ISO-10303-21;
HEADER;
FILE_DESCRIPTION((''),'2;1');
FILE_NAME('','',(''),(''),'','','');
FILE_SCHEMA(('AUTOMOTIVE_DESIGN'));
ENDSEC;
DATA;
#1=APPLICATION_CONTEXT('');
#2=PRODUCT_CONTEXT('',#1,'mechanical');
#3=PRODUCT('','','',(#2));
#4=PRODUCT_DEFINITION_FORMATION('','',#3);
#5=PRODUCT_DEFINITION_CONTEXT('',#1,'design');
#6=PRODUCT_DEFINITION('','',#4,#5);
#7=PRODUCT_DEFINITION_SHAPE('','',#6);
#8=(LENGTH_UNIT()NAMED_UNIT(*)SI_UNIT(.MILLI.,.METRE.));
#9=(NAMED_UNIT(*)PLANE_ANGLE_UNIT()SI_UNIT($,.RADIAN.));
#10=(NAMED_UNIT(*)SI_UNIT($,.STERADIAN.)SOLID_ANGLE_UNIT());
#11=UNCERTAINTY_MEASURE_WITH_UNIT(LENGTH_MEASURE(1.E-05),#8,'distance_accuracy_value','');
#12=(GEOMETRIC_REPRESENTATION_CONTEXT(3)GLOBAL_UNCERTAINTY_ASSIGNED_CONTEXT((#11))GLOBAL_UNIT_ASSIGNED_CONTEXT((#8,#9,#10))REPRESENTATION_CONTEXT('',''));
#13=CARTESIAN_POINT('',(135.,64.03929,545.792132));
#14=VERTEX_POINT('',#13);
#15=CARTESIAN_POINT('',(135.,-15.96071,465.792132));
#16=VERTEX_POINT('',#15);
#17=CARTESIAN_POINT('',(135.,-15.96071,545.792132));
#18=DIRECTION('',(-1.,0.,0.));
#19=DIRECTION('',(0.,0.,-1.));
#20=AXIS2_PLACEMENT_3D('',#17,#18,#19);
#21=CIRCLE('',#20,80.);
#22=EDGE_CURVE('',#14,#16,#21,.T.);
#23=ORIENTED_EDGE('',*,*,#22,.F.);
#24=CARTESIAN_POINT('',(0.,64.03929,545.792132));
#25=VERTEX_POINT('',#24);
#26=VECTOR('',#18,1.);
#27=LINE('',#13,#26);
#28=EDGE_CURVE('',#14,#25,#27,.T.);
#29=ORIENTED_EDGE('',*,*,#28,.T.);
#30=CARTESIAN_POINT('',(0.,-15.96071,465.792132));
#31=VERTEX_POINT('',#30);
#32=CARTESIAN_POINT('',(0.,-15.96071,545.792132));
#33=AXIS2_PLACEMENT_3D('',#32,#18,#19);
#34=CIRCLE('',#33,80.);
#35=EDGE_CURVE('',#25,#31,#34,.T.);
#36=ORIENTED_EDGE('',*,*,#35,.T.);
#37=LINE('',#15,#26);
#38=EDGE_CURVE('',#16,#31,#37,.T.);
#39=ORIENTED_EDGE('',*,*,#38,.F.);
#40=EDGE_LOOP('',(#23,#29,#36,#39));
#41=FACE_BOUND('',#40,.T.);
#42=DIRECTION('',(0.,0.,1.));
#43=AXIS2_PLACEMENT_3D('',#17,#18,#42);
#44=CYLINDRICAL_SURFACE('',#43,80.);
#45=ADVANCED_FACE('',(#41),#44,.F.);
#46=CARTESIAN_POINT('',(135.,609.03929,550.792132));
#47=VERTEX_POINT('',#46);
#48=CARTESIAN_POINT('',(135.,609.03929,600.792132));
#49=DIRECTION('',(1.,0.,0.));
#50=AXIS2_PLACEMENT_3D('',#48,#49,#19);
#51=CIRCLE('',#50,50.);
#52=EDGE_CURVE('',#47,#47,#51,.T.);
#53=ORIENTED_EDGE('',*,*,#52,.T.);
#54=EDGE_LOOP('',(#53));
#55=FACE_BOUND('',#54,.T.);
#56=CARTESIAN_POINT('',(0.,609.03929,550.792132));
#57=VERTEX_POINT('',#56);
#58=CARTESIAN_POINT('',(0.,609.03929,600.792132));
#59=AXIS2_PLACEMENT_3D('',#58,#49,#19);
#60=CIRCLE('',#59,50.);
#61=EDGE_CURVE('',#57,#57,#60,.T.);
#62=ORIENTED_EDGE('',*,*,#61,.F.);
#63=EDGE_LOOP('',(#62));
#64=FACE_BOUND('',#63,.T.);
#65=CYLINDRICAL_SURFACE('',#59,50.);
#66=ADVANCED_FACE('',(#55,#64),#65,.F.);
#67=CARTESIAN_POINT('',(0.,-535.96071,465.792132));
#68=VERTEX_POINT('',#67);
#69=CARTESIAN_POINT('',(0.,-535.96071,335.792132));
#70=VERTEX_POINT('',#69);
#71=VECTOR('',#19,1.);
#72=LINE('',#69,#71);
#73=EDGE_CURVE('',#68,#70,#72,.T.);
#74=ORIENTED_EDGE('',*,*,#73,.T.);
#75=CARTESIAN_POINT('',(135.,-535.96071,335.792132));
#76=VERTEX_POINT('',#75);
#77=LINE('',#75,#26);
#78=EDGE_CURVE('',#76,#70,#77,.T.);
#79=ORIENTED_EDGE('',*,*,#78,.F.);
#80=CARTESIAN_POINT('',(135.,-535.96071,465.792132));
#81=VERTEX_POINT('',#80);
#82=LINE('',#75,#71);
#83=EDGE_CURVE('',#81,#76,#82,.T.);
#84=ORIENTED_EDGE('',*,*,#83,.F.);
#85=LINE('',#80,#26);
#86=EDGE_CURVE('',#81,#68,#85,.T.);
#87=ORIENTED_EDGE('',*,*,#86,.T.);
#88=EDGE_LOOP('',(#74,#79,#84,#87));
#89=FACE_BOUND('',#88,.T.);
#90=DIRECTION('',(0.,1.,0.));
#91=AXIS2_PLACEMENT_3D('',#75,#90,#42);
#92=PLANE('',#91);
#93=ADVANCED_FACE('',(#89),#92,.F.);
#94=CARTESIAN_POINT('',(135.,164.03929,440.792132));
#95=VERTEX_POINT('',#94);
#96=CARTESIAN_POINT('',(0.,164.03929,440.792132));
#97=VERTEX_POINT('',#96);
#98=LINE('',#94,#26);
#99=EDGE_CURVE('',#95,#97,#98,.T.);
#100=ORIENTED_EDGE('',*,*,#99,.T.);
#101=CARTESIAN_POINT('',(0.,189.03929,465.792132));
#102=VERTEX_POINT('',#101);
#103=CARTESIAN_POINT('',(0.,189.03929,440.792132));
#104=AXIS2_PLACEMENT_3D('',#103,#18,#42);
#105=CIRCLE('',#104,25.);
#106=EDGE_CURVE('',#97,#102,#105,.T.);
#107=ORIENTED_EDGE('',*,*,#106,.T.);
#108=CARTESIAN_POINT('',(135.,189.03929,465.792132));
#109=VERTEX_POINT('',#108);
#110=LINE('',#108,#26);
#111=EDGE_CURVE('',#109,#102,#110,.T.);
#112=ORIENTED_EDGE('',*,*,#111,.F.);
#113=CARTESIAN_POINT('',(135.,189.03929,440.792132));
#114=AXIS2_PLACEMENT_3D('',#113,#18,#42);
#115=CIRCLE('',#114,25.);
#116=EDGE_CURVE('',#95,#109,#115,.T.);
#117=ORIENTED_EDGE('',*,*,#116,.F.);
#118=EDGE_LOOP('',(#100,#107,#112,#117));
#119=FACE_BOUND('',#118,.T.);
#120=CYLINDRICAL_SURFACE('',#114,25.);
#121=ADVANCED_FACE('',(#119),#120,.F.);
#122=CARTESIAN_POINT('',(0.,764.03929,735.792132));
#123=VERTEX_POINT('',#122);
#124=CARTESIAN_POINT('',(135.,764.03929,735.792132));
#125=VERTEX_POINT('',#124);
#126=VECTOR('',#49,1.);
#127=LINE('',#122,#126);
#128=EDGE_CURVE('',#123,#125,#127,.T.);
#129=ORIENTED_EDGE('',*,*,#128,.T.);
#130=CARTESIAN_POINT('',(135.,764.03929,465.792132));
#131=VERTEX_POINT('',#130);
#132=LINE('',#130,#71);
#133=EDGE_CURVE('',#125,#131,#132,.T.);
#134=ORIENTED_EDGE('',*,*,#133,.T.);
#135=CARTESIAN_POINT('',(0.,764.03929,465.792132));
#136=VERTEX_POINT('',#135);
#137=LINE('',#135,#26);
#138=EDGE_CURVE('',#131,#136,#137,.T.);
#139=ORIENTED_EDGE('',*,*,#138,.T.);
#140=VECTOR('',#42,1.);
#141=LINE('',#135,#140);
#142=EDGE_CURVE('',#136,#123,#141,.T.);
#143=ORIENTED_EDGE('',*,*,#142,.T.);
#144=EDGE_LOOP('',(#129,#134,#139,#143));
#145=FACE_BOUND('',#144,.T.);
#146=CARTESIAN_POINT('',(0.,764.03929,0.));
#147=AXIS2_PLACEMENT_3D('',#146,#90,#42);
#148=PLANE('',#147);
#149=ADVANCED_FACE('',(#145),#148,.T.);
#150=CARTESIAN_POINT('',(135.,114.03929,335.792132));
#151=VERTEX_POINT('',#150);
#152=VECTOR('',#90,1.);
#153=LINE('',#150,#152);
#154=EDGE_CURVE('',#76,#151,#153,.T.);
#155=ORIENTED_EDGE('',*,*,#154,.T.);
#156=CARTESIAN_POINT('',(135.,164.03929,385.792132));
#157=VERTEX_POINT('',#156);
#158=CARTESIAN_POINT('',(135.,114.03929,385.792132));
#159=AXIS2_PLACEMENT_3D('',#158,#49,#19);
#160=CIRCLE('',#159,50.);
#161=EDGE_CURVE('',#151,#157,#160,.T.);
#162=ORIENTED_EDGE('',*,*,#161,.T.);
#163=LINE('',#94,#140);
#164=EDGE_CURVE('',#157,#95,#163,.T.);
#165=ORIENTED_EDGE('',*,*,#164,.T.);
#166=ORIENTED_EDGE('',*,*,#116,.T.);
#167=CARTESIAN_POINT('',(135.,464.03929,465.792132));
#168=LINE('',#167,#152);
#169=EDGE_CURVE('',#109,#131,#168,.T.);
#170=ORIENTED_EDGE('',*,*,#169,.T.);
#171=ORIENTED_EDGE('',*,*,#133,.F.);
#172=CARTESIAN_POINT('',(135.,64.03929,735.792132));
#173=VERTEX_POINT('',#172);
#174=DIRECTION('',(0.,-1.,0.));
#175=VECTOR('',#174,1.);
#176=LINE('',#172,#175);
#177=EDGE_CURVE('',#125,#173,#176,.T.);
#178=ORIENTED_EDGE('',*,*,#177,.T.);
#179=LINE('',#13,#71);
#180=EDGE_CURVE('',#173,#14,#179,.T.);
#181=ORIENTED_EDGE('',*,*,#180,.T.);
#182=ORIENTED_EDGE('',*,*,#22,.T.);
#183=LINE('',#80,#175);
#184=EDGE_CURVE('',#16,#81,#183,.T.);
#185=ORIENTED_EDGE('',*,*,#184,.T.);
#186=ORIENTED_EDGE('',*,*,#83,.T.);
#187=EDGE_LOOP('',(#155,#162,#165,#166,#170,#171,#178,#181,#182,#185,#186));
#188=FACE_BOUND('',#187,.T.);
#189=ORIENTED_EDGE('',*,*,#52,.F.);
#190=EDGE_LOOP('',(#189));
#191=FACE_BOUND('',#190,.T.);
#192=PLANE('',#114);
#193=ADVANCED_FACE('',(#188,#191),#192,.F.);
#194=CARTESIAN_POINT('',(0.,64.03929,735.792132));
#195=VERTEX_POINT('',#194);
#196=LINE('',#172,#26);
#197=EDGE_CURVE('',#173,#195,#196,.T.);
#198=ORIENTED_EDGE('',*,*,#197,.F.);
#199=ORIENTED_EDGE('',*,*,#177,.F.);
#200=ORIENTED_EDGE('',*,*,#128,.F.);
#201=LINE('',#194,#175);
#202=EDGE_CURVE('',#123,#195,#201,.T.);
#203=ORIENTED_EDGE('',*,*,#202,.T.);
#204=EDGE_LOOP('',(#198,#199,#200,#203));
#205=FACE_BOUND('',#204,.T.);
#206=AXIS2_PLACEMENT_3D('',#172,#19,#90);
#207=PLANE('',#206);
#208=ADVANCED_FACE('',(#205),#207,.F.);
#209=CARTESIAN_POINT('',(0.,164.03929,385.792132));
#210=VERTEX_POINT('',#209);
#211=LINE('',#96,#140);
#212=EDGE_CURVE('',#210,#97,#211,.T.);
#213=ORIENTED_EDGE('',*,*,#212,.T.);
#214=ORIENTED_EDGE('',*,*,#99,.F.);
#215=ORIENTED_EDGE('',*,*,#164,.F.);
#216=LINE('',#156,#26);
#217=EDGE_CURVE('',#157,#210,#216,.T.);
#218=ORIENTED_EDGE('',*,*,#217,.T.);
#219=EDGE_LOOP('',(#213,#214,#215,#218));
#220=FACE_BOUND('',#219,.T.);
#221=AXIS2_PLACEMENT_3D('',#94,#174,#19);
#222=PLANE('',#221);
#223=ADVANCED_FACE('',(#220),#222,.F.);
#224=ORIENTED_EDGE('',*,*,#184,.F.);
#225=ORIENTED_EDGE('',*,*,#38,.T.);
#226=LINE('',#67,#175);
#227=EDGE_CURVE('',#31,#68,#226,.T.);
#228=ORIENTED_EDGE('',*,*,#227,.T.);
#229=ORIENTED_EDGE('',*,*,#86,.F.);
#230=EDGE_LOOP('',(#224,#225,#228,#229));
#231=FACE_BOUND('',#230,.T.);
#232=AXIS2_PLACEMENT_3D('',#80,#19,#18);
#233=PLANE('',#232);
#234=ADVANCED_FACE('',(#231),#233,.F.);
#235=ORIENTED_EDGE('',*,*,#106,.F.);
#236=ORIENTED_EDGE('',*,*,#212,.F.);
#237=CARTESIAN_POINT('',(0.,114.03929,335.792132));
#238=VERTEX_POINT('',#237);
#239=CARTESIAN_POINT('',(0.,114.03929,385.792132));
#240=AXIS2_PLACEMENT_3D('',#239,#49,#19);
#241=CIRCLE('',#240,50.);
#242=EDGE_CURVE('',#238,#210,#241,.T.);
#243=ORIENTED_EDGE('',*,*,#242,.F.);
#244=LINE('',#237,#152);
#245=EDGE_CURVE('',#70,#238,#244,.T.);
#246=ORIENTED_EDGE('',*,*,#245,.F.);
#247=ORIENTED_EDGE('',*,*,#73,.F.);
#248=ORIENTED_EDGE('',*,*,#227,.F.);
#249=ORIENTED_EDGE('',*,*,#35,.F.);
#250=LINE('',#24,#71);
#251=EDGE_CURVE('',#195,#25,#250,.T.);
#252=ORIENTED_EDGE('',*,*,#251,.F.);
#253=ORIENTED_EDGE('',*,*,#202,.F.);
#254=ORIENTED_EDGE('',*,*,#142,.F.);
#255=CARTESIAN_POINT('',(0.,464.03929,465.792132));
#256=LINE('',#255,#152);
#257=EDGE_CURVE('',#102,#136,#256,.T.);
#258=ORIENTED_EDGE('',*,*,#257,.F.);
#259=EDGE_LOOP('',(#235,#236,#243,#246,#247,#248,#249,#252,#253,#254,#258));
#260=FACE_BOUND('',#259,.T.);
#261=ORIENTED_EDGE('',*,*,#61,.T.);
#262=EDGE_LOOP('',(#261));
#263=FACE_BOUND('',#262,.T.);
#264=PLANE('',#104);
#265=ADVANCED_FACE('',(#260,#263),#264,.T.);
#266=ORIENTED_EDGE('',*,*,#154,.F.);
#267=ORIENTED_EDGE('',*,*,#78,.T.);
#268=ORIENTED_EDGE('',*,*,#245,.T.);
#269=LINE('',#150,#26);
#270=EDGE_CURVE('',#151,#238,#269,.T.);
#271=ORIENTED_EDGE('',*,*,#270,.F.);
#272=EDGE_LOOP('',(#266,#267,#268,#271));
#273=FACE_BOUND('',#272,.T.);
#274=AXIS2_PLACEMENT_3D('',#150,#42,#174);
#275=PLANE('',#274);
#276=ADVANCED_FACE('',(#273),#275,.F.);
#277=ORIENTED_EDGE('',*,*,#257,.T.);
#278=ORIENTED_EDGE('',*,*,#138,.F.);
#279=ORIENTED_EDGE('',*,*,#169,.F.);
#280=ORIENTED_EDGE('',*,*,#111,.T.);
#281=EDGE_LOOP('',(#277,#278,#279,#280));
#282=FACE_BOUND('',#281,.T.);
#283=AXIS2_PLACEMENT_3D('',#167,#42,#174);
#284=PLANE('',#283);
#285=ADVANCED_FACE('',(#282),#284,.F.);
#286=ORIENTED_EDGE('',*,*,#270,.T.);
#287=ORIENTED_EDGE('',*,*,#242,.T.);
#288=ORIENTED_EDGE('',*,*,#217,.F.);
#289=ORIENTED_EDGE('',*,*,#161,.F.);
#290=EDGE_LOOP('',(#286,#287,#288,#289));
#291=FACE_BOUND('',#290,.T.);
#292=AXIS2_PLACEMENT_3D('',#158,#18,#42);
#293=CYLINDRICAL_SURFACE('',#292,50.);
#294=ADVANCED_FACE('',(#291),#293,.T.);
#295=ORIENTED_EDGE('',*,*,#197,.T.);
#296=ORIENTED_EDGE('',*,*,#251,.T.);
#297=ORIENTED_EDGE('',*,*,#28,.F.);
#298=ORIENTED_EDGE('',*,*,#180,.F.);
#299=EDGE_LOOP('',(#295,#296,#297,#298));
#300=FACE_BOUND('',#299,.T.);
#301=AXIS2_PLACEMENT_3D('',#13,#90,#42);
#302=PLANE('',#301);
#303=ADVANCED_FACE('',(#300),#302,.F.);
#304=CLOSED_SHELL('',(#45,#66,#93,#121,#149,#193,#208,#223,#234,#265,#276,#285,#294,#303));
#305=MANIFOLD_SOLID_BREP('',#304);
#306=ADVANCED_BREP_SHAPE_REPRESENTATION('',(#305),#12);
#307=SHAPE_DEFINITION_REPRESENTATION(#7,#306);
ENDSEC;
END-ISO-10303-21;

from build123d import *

# Parameters (mm, degrees)
BOSS_EXTRUDE1_DEPTH = 135
SKETCH2_W           = 135
SKETCH2_H           = 270
BOSS_EXTRUDE2_DEPTH = 300
SKETCH3_R           = 50
CUT_EXTRUDE1_DEPTH  = 1070.285321259


with BuildPart() as part:
    # Sketch1 → Boss-Extrude1 (new body)
    with BuildSketch(Plane(origin=(0, 0, 0), x_dir=(0, 0, -1), z_dir=(1, 0, 0))):
        with BuildLine():
            Line((-465.792131575, 464.039290463), (-465.792131575, 189.039290463))
            ThreePointArc((-465.792131575, 189.039290463), (-458.469801105, 171.361620934), (-440.792131575, 164.039290463))
            Line((-440.792131575, 164.039290463), (-385.792131575, 164.039290463))
            ThreePointArc((-385.792131575, 164.039290463), (-350.436792516, 149.394629523), (-335.792131575, 114.039290463))
            Line((-335.792131575, 114.039290463), (-335.792131575, -535.960709537))
            Line((-335.792131575, -535.960709537), (-465.792131575, -535.960709537))
            Line((-465.792131575, -535.960709537), (-465.792131575, -15.960709537))
            ThreePointArc((-465.792131575, -15.960709537), (-489.22358908, 40.607832958), (-545.792131575, 64.039290463))
            Line((-545.792131575, 64.039290463), (-735.792131575, 64.039290463))
            Line((-735.792131575, 64.039290463), (-735.792131575, 464.039290463))
            Line((-735.792131575, 464.039290463), (-465.792131575, 464.039290463))
        make_face()
    extrude(amount=BOSS_EXTRUDE1_DEPTH)

    # Sketch2 → Boss-Extrude2 (add)
    with BuildSketch(Plane(origin=(0, 464.039290463, 0), x_dir=(1, 0, 0), z_dir=(0, 1, 0))):
        with Locations((67.5, -600.792131575)):
            Rectangle(SKETCH2_W, SKETCH2_H)
    extrude(amount=BOSS_EXTRUDE2_DEPTH)

    # Sketch3 → Cut-Extrude1 (cut, through all)
    with BuildSketch(Plane(origin=(135, 0, 0), x_dir=(0, 0, -1), z_dir=(1, 0, 0))):
        with Locations((-600.792131575, 609.039290463)):
            Circle(SKETCH3_R)
    extrude(amount=-CUT_EXTRUDE1_DEPTH, mode=Mode.SUBTRACT)


solid = part.part
